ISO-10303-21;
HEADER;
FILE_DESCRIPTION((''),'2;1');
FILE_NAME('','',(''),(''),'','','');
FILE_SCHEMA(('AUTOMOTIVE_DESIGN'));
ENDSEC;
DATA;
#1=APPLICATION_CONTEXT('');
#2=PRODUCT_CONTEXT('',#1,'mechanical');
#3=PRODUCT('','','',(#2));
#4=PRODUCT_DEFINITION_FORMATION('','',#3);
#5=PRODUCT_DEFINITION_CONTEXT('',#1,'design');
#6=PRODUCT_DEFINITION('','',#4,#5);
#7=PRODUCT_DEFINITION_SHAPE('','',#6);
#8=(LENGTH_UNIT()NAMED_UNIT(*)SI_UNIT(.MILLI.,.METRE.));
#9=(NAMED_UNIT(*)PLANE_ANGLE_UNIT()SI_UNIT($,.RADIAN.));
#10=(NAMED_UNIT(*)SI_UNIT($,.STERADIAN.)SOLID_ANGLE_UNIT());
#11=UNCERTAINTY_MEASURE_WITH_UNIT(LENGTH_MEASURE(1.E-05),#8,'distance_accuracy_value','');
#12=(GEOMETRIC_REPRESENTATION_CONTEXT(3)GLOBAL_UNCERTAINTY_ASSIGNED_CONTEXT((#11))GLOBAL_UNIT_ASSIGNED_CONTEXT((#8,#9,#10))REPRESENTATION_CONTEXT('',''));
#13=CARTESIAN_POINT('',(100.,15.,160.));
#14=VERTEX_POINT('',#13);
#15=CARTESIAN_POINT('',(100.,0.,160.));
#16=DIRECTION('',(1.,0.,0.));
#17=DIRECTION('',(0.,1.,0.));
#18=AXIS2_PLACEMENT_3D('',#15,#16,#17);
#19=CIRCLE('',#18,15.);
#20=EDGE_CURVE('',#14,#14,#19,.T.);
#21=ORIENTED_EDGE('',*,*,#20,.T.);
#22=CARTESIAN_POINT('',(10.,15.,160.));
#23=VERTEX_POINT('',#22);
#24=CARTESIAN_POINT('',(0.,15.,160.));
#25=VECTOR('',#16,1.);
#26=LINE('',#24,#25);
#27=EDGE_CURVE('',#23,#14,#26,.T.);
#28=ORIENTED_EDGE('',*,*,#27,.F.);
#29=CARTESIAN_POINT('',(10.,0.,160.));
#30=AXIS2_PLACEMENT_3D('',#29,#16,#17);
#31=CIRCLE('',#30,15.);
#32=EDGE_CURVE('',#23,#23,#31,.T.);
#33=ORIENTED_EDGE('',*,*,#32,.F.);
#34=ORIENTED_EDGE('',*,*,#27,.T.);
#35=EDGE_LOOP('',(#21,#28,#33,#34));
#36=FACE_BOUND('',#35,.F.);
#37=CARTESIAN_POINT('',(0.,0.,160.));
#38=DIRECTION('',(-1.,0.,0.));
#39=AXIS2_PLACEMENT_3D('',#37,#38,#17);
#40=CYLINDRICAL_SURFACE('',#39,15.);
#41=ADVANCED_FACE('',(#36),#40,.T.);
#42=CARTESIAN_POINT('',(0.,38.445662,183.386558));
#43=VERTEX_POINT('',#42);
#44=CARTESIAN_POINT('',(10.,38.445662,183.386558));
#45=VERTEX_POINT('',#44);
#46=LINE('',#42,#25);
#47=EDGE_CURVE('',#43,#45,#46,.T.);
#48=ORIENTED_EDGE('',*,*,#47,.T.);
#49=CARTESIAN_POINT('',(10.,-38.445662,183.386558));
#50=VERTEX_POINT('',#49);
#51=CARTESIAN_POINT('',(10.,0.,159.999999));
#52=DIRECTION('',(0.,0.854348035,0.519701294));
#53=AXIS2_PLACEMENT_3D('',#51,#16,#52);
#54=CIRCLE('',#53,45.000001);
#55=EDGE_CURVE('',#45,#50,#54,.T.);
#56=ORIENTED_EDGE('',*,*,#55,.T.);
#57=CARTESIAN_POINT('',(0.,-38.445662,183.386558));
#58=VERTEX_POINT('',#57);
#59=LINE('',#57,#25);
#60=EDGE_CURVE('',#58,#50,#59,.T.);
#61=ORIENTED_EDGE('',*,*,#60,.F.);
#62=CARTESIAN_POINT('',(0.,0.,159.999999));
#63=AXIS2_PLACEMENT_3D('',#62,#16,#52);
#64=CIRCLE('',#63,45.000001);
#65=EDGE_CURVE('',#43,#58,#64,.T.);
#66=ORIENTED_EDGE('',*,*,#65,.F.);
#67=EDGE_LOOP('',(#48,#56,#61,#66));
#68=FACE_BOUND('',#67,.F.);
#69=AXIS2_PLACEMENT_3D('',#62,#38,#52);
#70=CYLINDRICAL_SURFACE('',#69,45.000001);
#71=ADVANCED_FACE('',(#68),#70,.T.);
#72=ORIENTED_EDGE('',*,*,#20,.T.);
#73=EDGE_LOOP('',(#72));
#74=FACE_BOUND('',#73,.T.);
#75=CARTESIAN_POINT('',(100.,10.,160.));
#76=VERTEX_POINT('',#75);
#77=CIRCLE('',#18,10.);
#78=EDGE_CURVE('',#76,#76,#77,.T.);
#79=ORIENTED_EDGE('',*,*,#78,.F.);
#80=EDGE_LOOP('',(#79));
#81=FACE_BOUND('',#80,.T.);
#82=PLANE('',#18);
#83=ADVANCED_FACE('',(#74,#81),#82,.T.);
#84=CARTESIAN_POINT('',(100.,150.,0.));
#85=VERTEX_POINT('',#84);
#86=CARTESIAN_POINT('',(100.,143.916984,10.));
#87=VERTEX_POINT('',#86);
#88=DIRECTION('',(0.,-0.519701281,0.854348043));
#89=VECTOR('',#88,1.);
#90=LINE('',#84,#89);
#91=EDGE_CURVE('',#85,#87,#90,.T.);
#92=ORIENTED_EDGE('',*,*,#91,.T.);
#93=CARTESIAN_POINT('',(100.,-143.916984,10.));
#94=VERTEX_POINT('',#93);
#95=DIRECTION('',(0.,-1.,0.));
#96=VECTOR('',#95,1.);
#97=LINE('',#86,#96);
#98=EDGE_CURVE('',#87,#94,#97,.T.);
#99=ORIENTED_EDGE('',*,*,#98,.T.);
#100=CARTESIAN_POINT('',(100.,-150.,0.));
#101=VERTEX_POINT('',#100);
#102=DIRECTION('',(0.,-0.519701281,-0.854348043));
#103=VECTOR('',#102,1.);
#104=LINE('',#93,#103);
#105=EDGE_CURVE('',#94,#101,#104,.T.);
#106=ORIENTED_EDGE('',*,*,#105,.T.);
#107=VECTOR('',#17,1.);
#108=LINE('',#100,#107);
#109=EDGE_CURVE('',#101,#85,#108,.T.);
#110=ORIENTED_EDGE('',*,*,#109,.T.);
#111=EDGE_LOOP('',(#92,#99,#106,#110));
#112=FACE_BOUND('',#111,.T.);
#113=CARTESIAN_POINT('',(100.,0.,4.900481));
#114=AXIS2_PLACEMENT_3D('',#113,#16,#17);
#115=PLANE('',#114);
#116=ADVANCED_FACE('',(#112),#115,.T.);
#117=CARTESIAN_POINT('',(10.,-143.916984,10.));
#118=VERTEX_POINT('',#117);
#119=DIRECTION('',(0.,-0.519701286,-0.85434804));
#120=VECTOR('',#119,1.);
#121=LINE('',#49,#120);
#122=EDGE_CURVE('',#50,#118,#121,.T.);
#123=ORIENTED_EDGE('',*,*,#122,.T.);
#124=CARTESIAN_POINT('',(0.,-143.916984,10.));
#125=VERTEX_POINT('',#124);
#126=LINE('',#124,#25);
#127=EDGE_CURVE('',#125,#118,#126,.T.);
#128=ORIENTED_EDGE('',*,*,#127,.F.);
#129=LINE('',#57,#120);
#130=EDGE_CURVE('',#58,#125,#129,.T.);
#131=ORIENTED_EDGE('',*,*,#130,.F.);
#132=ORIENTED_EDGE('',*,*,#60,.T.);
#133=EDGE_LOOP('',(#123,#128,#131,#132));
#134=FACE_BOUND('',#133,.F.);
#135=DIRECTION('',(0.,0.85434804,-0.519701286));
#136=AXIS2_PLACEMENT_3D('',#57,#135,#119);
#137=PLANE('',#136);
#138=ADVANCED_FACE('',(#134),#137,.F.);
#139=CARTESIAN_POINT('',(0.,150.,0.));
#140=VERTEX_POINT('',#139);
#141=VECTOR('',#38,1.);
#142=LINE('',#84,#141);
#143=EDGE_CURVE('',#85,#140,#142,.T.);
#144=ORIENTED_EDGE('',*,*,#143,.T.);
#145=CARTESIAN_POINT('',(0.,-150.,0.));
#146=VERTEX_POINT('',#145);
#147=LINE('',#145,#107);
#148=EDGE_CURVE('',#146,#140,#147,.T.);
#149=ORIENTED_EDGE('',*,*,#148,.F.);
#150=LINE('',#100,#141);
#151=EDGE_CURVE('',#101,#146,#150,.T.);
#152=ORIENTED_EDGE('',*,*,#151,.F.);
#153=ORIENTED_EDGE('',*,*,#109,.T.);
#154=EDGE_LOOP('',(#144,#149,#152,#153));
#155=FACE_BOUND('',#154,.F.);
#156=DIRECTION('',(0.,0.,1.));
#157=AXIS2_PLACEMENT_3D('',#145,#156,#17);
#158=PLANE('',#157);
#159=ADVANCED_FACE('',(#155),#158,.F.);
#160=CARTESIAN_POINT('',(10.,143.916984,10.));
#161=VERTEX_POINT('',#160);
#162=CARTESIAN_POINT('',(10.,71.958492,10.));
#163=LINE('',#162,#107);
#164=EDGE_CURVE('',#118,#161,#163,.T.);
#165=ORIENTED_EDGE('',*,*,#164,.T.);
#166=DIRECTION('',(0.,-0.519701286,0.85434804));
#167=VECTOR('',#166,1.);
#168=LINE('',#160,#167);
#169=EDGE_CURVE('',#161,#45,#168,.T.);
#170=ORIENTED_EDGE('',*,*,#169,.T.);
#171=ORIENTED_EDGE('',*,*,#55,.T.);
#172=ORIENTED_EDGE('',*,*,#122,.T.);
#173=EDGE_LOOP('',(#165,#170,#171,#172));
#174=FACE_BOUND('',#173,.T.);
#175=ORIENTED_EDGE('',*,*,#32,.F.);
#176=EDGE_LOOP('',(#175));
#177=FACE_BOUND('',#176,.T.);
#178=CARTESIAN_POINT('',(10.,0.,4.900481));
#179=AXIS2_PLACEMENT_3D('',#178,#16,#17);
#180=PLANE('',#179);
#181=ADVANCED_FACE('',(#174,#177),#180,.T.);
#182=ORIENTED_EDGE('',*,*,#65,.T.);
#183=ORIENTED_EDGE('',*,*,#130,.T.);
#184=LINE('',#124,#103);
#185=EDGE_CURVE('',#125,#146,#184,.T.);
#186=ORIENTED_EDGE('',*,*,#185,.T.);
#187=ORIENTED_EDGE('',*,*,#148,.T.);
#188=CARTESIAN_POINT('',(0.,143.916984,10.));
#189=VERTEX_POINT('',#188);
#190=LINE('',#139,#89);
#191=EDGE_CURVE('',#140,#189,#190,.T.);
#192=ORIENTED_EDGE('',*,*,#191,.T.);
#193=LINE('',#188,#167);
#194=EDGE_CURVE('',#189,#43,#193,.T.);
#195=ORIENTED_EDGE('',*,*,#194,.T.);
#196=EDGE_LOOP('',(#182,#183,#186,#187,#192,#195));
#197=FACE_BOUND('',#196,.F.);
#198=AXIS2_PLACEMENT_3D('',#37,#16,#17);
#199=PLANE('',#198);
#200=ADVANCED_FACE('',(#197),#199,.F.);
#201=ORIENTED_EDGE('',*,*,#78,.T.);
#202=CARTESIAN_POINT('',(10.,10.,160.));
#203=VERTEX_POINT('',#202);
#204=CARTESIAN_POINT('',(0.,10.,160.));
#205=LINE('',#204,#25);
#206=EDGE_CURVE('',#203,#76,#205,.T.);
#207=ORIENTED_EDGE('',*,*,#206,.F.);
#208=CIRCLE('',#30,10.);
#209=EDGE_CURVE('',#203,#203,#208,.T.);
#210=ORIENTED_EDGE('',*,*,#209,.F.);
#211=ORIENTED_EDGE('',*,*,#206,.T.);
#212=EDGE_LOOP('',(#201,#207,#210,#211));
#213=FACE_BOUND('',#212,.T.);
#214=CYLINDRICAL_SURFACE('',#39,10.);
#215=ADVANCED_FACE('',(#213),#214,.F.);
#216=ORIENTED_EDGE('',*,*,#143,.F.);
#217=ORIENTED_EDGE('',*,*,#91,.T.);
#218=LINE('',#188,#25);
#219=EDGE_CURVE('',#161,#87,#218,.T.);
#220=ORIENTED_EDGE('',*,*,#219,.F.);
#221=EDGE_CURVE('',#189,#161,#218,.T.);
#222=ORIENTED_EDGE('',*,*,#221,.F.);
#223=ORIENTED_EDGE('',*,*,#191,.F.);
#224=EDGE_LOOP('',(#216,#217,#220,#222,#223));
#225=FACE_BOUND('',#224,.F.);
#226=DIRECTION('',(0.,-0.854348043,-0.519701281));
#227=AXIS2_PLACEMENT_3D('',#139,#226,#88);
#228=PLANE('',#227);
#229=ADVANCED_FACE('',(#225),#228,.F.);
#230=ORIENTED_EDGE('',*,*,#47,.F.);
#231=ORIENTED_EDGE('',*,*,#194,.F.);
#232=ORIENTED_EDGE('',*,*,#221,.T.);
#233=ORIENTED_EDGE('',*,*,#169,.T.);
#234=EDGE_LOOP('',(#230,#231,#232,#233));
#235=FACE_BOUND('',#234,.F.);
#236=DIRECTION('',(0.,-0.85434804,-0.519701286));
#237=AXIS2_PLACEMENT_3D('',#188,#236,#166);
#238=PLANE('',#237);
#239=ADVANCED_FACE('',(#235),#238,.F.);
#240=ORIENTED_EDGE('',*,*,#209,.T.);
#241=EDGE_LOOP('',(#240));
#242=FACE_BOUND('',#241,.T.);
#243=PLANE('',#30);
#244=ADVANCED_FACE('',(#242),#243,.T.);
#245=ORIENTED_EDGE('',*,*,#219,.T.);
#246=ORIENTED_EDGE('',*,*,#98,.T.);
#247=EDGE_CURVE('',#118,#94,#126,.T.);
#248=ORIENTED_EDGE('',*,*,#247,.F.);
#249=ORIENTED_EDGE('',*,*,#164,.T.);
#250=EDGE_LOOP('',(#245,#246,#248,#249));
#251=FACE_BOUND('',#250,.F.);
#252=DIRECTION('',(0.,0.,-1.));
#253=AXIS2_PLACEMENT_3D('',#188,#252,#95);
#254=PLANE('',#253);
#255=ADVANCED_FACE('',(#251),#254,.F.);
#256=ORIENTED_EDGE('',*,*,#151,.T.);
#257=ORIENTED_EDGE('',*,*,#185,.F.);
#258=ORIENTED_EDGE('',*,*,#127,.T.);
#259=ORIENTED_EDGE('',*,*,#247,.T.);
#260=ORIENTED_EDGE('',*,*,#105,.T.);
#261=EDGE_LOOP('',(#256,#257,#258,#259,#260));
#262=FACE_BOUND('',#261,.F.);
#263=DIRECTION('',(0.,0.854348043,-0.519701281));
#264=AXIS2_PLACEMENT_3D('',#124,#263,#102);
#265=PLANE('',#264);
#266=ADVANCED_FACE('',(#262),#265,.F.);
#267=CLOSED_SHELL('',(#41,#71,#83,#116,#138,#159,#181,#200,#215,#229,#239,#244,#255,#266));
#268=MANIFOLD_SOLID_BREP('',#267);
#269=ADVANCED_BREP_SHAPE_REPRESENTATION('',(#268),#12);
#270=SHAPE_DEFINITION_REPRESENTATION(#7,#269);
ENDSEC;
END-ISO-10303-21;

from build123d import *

# Parameters (mm, degrees)
F0_R     = 15
F1_DEPTH = 10
F0_R_2   = 10
F2_DEPTH = 100
F0_R_3   = 8
F3_DEPTH = 10
F4_DEPTH = 10
F5_DEPTH = 100


with BuildPart() as f1:
    # F0 (on Right) → F1 (new body)
    with BuildSketch(Plane.YZ):
        Polygon((-150, 0), (0, 0), (150, 0), (143.916984, 10), (0, 10), (-143.916984, 10), align=None)
        with BuildLine():
            Line((-38.445662, 183.386558), (-143.916984, 10))
            Line((-143.916984, 10), (0, 10))
            Line((0, 10), (143.916984, 10))
            Line((143.916984, 10), (38.445662, 183.386558))
            ThreePointArc((38.445662, 183.386558), (43.330444, 172.14383), (45, 160))
            ThreePointArc((45, 160), (-12.14383, 116.669556), (-38.445662, 183.386558))
        make_face()
        with BuildLine():
            ThreePointArc((38.445662, 183.386558), (0, 205), (-38.445662, 183.386558))
            ThreePointArc((-38.445662, 183.386558), (-12.14383, 116.669556), (45, 160))
            ThreePointArc((45, 160), (43.330444, 172.14383), (38.445662, 183.386558))
        make_face()
        with Locations((0, 160)):
            Circle(F0_R, mode=Mode.SUBTRACT)
    extrude(amount=F1_DEPTH)

    # F0 (on Right) → F2 (join)
    with BuildSketch(Plane.YZ):
        with Locations((0, 160)):
            Circle(F0_R)
        with Locations((0, 160)):
            Circle(F0_R_2, mode=Mode.SUBTRACT)
    extrude(amount=F2_DEPTH)

    # F0 (on Right) → F3 (join)
    with BuildSketch(Plane.YZ):
        with Locations((0, 160)):
            Circle(F0_R_2)
        with Locations((0, 160)):
            Circle(F0_R_3, mode=Mode.SUBTRACT)
    extrude(amount=F3_DEPTH)

    # F0 (on Right) → F4 (join)
    with BuildSketch(Plane.YZ):
        with Locations((0, 160)):
            Circle(F0_R_3)
    extrude(amount=F4_DEPTH)

    # F0 (on Right) → F5 (join)
    with BuildSketch(Plane.YZ):
        Polygon((-150, 0), (0, 0), (150, 0), (143.916984, 10), (0, 10), (-143.916984, 10), align=None)
    extrude(amount=F5_DEPTH)


solid = f1.part
